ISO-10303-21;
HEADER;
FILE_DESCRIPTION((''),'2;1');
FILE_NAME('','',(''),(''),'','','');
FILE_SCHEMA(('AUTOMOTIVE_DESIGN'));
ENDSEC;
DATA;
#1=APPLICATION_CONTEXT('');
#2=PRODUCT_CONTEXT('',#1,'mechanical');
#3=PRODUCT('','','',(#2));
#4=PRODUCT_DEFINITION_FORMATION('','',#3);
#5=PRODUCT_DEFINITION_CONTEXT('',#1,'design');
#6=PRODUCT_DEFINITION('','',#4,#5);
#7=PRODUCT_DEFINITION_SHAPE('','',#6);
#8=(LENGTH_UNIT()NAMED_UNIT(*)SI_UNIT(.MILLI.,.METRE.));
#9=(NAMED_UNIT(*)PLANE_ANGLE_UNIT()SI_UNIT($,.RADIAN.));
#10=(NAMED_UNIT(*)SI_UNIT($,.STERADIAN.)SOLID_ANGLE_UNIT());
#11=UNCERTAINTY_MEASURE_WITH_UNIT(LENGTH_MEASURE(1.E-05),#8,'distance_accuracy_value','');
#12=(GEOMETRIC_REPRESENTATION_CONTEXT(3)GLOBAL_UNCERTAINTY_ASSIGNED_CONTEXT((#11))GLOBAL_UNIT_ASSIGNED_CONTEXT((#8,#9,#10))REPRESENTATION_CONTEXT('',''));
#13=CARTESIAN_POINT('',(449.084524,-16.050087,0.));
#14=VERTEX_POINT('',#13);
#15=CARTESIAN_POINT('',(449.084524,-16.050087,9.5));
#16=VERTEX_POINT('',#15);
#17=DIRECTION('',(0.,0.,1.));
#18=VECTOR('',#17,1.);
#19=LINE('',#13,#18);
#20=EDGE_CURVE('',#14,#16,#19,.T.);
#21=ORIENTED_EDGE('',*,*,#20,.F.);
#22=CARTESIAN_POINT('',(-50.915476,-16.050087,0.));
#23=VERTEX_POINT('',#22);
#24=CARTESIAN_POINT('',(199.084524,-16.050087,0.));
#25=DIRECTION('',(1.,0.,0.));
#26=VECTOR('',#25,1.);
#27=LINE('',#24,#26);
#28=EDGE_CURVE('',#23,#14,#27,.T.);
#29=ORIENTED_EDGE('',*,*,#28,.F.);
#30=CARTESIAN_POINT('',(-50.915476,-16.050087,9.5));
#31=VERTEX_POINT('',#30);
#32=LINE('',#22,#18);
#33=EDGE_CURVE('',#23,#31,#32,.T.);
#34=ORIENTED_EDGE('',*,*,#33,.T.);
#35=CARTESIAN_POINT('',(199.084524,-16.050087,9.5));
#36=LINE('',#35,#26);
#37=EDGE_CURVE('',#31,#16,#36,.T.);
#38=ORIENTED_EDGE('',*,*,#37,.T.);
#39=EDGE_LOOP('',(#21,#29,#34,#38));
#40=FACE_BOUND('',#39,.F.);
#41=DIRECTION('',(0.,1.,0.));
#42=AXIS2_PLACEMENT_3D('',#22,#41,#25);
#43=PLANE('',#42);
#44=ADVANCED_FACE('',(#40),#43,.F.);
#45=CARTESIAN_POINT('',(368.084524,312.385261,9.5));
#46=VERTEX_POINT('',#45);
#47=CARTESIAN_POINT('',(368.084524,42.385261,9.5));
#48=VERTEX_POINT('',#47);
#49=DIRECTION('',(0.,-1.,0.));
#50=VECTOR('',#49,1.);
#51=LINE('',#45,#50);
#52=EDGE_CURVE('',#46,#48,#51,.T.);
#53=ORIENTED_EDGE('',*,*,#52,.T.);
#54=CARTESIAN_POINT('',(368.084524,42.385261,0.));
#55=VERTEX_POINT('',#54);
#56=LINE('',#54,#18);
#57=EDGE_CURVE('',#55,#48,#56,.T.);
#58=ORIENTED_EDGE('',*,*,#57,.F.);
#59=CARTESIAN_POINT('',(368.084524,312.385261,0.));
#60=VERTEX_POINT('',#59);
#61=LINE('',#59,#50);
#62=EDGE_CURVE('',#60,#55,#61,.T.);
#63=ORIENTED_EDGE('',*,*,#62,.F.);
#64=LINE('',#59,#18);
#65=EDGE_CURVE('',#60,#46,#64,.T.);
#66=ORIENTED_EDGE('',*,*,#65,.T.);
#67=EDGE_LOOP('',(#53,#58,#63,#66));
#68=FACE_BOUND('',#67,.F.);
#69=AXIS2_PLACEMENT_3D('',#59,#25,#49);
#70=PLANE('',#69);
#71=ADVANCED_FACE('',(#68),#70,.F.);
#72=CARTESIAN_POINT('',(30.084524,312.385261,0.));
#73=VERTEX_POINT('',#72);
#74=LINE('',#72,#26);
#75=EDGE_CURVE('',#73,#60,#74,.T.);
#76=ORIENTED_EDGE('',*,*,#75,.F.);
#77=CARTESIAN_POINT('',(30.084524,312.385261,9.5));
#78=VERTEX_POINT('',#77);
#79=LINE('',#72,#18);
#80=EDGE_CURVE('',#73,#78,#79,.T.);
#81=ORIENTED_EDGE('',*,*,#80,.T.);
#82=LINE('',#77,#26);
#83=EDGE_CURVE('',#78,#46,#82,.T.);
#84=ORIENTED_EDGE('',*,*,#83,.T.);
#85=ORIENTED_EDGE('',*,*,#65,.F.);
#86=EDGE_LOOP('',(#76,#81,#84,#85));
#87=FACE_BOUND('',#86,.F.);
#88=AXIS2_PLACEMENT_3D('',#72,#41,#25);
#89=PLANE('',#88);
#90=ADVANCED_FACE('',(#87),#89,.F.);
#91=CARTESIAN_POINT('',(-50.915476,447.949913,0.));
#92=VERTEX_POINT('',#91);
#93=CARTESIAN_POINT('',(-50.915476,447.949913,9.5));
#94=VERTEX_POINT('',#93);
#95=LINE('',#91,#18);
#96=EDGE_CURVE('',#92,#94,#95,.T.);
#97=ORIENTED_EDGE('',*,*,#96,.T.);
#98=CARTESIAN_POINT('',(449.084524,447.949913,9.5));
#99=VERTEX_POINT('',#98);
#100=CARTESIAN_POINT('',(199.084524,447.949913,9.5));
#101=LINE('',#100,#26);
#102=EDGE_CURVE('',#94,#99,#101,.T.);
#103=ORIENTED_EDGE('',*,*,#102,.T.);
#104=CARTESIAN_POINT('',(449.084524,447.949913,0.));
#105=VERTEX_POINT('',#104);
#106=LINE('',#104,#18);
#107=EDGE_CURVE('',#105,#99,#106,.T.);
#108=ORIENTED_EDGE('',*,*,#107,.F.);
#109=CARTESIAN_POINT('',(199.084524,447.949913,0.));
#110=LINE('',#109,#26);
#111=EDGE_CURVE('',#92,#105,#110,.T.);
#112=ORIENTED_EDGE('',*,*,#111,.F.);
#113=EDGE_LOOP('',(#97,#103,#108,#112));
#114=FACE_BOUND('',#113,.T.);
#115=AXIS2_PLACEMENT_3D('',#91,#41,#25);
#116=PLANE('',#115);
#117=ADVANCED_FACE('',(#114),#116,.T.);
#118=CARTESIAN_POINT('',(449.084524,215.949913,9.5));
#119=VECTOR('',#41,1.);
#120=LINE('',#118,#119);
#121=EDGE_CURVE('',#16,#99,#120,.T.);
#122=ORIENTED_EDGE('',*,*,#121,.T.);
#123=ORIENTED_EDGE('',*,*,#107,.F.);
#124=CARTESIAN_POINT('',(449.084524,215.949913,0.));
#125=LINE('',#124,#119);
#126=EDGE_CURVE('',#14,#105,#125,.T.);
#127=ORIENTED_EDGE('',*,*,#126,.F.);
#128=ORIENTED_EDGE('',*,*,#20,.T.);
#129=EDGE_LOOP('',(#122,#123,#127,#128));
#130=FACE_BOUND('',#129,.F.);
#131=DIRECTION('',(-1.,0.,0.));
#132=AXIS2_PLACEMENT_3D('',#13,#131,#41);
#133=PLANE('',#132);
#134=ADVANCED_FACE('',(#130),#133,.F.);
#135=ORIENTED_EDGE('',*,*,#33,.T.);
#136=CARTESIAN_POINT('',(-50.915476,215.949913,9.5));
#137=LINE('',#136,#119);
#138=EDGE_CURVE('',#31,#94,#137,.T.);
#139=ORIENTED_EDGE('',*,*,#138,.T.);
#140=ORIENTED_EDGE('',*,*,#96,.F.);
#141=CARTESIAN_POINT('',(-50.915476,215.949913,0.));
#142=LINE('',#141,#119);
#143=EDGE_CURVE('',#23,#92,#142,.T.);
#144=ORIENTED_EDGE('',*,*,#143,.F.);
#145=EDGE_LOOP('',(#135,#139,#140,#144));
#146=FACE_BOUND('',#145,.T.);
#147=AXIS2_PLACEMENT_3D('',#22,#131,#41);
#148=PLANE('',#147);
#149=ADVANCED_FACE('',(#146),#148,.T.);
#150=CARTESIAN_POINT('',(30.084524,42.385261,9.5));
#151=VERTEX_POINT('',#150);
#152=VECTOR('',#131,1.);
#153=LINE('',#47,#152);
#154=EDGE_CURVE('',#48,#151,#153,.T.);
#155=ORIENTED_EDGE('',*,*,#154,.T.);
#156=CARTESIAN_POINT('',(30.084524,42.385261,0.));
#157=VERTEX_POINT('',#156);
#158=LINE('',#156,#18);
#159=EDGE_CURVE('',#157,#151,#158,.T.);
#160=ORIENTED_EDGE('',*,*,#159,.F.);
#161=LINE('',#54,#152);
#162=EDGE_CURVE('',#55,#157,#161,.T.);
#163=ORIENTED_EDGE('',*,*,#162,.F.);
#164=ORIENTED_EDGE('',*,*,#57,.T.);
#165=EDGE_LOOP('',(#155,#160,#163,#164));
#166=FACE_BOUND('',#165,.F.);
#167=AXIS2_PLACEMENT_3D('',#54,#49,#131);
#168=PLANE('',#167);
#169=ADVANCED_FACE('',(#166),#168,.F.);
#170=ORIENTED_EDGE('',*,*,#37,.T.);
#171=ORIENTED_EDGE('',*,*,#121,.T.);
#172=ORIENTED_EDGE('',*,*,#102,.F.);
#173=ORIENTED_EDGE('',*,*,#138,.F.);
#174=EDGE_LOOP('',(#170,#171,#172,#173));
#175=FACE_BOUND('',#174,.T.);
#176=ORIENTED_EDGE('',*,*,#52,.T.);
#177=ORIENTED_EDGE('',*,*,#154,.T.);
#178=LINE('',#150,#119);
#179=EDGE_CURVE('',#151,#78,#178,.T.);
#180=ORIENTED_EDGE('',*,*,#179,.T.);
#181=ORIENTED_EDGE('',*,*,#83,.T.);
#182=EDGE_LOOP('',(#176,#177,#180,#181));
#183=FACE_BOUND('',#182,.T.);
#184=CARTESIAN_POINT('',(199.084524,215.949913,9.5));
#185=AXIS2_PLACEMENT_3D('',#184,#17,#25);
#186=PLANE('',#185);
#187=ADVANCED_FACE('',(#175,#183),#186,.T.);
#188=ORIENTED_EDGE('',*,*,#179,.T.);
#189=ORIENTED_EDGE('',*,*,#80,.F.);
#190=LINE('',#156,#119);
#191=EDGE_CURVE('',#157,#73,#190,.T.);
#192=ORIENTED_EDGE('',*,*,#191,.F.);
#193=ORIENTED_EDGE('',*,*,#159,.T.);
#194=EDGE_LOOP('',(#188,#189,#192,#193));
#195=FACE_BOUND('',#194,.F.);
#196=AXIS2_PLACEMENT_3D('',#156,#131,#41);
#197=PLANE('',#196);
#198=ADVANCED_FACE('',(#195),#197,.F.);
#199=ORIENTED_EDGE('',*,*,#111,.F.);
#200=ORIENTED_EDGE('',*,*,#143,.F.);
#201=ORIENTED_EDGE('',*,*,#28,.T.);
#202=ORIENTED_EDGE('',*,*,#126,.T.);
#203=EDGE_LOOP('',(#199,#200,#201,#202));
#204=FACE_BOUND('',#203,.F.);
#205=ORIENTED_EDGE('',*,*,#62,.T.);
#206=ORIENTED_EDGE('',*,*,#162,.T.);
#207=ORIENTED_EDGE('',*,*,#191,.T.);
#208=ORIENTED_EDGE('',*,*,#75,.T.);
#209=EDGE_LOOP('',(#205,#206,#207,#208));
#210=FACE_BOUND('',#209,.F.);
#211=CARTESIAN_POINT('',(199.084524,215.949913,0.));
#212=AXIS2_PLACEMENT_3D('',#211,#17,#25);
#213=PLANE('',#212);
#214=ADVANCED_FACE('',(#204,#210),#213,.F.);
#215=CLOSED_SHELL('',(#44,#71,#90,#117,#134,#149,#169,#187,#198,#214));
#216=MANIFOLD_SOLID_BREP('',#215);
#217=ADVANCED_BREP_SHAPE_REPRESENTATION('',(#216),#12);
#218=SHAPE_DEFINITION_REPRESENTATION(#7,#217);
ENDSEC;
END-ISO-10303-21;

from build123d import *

# Parameters (mm, degrees)
F0_W     = 500
F0_H     = 464
F1_DEPTH = 9.5


with BuildPart() as f1:
    # F0 (on Top) → F1 (new body)
    with BuildSketch(Plane.XY):
        with Locations((199.084524, 215.949913)):
            Rectangle(F0_W, F0_H)
        Polygon((30.084524, 312.385261), (199.084524, 312.385261), (368.084524, 312.385261), (368.084524, 42.385261), (30.084524, 42.385261), align=None, mode=Mode.SUBTRACT)
    extrude(amount=F1_DEPTH)


solid = f1.part
